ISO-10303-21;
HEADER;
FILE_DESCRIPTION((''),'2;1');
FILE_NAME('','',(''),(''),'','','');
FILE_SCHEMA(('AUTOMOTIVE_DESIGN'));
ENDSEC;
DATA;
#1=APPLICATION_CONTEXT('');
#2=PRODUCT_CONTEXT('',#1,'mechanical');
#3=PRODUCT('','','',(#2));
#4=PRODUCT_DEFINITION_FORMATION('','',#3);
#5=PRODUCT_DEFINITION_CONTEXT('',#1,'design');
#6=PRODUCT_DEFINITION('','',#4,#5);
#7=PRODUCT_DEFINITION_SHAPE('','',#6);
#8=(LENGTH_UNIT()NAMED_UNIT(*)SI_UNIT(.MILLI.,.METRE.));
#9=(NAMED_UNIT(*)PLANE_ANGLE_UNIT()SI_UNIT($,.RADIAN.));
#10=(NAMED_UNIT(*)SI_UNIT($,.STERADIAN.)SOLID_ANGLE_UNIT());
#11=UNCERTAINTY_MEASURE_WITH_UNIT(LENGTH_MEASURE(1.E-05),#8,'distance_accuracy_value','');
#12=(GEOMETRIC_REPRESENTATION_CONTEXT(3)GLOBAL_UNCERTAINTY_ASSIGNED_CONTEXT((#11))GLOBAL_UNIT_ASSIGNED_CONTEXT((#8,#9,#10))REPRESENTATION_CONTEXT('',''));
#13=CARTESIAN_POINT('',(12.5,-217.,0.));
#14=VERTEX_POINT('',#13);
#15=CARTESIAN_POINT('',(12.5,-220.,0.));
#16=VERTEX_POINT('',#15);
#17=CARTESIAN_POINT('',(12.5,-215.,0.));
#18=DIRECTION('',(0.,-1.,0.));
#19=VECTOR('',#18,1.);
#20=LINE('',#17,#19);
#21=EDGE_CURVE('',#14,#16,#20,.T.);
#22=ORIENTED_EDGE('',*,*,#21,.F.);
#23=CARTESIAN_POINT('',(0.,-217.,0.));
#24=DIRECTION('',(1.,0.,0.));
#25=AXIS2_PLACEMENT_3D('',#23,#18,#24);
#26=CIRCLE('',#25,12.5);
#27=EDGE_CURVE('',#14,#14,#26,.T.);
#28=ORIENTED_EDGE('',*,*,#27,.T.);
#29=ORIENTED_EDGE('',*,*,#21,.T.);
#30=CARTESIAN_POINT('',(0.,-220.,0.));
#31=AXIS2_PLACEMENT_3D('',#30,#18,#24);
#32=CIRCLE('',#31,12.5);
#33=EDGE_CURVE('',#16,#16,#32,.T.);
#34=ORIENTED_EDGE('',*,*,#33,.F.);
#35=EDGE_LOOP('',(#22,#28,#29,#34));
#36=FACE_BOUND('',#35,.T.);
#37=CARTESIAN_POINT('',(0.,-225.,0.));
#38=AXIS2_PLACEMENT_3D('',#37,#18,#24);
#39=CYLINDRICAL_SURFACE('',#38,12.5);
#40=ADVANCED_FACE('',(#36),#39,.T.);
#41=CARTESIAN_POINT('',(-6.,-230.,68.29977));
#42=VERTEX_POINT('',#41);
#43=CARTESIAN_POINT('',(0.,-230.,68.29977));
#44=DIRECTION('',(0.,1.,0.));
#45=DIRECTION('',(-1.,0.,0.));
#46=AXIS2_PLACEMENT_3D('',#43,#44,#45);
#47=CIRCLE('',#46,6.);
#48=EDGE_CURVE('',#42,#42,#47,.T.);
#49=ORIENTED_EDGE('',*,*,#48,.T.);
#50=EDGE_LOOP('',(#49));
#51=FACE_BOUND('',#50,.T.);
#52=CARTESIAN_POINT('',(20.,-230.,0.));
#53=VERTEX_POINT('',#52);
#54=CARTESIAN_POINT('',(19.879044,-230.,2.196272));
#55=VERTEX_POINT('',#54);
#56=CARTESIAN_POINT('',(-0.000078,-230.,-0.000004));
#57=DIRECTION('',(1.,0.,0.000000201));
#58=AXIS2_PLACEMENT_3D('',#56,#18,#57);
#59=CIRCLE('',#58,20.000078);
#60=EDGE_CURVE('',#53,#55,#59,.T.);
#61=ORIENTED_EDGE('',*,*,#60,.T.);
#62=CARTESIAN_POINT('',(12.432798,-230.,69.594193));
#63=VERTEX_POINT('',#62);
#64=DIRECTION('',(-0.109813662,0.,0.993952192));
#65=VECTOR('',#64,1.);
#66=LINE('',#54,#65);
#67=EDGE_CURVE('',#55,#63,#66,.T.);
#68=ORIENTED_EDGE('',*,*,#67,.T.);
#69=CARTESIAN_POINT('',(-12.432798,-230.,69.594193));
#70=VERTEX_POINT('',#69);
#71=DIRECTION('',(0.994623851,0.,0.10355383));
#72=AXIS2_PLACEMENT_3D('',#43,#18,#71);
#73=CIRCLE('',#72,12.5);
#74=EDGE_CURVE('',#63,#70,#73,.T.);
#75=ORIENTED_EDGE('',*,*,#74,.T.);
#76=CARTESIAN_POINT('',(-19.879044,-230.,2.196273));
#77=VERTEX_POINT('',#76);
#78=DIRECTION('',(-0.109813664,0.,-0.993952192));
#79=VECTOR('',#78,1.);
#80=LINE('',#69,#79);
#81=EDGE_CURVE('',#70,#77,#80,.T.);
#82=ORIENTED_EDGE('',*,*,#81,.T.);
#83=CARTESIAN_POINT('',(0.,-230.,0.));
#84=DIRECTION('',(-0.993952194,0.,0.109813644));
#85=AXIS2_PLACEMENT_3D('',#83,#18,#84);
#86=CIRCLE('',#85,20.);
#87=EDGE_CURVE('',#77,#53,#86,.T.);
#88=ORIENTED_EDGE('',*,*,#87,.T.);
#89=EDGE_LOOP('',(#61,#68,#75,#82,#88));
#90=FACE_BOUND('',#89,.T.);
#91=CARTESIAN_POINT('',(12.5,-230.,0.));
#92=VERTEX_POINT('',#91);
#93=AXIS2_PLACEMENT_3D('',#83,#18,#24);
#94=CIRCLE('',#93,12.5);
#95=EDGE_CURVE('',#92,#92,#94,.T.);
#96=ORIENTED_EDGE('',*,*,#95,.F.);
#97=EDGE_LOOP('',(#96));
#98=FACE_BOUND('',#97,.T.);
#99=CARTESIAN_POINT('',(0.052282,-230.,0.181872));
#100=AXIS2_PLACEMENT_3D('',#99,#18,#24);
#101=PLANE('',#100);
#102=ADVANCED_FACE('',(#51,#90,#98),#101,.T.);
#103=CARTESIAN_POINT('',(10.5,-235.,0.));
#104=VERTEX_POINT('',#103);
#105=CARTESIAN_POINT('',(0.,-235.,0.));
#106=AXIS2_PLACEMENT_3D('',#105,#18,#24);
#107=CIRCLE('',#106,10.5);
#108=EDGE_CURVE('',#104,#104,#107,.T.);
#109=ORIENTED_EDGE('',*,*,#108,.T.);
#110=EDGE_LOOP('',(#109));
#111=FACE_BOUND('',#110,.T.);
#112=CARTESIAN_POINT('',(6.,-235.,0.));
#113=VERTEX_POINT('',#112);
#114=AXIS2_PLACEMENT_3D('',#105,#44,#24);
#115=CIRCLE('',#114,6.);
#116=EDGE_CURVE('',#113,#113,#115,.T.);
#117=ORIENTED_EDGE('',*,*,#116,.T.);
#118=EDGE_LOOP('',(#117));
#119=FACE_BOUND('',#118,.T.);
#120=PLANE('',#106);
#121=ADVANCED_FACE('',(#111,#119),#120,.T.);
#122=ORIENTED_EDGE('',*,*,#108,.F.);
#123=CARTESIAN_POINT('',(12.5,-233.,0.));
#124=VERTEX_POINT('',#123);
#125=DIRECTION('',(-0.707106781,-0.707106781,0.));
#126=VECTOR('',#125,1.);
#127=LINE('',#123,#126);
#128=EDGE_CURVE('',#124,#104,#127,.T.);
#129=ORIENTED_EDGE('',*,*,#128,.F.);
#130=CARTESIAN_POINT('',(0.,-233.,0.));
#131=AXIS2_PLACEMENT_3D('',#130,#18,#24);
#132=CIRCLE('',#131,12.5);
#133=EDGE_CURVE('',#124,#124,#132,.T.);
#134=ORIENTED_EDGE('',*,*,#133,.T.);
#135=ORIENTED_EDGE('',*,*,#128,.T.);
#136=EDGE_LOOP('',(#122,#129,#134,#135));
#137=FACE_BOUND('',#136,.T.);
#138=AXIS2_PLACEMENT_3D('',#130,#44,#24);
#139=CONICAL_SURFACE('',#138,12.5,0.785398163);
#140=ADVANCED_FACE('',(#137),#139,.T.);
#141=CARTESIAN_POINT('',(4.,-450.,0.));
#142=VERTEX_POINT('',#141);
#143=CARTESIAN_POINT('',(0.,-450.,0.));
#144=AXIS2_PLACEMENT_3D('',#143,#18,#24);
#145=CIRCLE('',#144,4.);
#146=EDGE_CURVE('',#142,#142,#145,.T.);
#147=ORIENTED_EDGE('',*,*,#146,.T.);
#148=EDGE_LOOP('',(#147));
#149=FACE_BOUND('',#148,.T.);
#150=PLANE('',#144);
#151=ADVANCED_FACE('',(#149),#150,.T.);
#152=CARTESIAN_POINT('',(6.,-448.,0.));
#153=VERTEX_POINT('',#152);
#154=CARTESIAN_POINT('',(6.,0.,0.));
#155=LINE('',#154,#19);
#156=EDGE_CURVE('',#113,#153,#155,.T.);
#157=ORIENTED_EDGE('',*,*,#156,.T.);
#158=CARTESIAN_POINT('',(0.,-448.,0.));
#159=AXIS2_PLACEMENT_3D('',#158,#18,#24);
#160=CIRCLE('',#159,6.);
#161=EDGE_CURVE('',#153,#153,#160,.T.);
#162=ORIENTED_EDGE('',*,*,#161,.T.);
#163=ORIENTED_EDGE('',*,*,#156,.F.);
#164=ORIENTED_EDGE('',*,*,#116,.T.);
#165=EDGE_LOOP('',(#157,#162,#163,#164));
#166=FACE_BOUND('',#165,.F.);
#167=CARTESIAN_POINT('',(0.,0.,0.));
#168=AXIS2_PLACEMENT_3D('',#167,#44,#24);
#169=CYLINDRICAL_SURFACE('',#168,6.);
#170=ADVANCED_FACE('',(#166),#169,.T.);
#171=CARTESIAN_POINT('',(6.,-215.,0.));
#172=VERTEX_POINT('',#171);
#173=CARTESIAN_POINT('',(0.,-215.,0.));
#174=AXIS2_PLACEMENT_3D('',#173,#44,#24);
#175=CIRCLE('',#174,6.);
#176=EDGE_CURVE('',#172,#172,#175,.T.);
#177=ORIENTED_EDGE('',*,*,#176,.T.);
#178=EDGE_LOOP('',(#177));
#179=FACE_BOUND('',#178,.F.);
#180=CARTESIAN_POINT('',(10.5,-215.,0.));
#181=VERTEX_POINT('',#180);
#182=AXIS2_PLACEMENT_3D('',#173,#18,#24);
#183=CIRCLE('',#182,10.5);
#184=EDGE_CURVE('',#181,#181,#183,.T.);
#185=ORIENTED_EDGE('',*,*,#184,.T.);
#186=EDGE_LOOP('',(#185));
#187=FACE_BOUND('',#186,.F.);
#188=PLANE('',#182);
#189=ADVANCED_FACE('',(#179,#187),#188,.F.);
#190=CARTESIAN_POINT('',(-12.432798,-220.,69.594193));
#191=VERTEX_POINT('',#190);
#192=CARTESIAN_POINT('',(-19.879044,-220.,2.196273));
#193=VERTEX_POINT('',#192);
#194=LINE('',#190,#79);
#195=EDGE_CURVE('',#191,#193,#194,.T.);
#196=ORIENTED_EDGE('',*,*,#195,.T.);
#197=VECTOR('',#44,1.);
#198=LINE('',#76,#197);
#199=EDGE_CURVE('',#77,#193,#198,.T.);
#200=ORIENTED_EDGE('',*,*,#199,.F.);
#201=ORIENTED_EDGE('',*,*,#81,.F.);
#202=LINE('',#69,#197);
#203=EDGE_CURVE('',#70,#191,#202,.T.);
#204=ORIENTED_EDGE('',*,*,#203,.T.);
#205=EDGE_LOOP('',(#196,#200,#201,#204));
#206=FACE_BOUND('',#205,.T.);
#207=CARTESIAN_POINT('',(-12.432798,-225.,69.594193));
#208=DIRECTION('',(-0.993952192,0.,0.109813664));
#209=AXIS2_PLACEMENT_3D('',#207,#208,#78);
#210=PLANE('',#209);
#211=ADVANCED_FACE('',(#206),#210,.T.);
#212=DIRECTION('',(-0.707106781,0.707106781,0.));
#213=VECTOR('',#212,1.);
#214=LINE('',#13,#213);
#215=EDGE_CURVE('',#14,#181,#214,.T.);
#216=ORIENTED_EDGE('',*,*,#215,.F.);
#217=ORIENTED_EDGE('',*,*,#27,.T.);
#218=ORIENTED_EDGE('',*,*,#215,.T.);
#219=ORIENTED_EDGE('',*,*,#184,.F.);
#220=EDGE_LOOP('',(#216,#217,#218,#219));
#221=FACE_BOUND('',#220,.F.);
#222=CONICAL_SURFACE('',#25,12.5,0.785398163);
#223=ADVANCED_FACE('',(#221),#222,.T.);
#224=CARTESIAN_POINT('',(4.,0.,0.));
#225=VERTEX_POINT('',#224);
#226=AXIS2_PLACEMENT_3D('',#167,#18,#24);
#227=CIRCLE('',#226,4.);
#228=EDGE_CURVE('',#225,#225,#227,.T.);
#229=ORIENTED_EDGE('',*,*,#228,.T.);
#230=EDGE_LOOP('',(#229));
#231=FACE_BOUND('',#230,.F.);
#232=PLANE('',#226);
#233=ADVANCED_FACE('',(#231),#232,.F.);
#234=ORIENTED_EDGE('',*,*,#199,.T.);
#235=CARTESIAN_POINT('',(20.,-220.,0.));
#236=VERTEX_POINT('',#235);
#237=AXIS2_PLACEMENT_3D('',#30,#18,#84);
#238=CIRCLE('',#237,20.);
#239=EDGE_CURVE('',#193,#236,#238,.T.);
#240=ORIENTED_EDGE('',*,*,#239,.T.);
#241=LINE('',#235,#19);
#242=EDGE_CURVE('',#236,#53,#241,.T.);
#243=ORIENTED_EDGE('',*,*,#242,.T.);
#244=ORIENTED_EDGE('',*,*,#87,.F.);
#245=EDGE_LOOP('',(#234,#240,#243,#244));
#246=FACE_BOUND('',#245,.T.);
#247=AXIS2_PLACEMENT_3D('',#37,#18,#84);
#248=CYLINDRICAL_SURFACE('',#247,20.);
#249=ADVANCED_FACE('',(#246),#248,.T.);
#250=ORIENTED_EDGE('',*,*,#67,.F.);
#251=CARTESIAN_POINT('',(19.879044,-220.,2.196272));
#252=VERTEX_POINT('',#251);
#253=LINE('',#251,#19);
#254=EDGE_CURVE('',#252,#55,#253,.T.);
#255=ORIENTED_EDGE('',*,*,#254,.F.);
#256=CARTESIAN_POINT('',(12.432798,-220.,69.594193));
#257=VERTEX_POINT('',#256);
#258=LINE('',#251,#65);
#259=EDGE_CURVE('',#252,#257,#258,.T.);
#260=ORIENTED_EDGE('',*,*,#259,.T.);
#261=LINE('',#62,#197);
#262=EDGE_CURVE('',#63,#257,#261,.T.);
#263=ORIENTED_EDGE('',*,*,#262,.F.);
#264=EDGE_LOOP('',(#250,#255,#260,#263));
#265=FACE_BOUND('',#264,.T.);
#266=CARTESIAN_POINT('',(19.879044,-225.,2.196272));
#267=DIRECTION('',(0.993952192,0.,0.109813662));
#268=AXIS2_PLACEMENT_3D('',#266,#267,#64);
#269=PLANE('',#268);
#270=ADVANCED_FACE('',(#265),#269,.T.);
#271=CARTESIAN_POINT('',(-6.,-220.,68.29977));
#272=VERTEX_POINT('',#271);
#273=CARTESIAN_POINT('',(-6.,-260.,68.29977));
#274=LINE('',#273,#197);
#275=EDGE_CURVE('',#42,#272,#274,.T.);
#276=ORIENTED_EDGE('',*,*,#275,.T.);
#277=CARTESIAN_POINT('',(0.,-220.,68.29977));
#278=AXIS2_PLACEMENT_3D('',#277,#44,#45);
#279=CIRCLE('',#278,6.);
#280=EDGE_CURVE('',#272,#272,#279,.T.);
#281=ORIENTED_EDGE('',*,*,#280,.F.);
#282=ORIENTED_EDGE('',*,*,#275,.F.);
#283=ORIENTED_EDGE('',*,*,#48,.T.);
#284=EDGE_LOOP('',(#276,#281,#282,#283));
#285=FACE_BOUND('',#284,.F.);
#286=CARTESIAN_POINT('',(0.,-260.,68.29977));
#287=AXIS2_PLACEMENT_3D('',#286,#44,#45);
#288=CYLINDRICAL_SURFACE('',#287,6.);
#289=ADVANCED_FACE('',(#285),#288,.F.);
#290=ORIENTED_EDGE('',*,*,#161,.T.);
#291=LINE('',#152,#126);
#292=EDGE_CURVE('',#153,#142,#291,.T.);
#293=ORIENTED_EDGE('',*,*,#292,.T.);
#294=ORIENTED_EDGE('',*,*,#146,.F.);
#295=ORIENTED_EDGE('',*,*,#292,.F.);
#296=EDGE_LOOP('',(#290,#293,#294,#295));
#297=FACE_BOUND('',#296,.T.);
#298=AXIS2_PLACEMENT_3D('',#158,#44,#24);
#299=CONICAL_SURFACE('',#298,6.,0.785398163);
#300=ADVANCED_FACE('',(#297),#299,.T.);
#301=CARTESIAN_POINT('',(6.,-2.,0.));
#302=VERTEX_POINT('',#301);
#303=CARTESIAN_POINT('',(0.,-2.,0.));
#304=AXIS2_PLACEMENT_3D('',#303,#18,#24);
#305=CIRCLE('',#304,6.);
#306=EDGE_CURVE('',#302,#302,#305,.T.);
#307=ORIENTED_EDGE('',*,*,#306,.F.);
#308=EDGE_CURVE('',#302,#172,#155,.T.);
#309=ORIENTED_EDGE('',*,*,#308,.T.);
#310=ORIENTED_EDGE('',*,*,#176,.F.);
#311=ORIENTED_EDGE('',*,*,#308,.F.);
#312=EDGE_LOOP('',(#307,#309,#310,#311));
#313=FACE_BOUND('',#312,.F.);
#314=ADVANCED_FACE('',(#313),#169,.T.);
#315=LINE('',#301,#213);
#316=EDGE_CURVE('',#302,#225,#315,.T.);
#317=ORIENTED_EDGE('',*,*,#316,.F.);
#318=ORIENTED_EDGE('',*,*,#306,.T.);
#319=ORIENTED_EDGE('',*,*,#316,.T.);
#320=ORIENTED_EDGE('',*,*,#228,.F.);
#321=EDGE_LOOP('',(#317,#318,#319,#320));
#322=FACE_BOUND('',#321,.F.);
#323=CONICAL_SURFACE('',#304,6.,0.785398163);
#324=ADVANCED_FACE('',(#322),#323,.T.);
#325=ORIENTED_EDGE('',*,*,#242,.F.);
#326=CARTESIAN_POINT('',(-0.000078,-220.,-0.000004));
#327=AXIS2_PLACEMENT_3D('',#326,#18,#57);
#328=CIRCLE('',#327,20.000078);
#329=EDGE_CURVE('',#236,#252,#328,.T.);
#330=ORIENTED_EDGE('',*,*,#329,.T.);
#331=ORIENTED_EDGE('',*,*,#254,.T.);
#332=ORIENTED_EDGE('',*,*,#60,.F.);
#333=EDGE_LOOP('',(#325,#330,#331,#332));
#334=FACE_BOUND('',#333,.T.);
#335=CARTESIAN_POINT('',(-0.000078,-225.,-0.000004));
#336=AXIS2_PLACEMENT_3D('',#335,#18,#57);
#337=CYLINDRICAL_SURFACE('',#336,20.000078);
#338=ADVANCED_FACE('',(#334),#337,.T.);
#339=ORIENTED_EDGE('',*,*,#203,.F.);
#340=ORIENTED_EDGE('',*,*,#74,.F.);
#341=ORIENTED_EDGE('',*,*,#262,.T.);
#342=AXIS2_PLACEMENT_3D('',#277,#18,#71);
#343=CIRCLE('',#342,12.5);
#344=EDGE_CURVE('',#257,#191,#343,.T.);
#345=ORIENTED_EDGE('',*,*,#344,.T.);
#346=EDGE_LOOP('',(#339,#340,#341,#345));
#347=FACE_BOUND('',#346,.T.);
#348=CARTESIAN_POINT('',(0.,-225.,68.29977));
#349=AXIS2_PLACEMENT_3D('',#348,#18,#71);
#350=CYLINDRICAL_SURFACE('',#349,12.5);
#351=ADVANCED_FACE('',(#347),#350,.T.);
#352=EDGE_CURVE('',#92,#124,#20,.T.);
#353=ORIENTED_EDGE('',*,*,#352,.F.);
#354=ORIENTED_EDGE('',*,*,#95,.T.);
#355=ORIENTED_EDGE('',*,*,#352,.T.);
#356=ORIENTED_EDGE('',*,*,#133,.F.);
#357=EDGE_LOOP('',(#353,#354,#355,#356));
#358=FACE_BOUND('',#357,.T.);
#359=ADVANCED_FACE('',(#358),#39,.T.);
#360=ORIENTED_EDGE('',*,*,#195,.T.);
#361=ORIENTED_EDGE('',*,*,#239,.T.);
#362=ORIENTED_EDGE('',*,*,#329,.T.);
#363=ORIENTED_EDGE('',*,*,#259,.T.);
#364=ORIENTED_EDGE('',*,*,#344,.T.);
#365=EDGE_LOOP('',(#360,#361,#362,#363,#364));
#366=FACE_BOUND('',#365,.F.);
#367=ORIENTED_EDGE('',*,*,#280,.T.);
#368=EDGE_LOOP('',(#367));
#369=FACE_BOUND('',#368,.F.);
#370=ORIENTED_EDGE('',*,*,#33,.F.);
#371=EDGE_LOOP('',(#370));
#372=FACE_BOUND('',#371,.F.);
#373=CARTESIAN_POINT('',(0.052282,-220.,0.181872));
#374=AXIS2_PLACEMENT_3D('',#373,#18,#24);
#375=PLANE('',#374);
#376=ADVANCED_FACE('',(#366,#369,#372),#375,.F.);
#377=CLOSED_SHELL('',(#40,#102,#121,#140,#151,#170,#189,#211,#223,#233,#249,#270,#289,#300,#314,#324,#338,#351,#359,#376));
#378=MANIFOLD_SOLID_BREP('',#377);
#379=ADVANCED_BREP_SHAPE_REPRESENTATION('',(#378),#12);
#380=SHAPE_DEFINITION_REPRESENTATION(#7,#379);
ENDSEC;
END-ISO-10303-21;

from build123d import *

# Parameters (mm, degrees)
F0_R      = 6
F1_DEPTH  = 450
F2_SIZE   = 2
F4_R      = 12.5
F5_DEPTH  = 10
F6_SIZE   = 2
F8_DEPTH  = 5
F10_D     = 12
F10_DEPTH = 30


with BuildPart() as f1:
    # F0 (on Front) → F1 (new body)
    with BuildSketch(Plane.XZ):
        Circle(F0_R)
    extrude(amount=F1_DEPTH)

    # F2
    f2_edges = [f1.edges().sort_by_distance(p)[0] for p in [
        (-6, -450, 0),
        (-6, 0, 0),
    ]]
    chamfer(f2_edges, length=F2_SIZE)

    # F4 (on offset) → F5 (join, symmetric)
    with BuildSketch(Plane.XZ.offset(225)):
        Circle(F4_R)
    extrude(amount=F5_DEPTH, both=True)

    # F6
    f6_edges = [f1.edges().sort_by_distance(p)[0] for p in [
        (-12.5, -235, 0),
        (-12.5, -215, 0),
    ]]
    chamfer(f6_edges, length=F6_SIZE)

    # F7 (on offset) → F8 (join, symmetric)
    with BuildSketch(Plane.XZ.offset(225)):
        with BuildLine():
            ThreePointArc((19.879044, 2.196272), (1e-06, 20), (-19.879044, 2.196273))
            ThreePointArc((-19.879044, 2.196273), (-1.099801, -19.969738), (20, 0))
            ThreePointArc((20, 0), (19.969738, 1.0998), (19.879044, 2.196272))
        make_face()
        with BuildLine():
            Line((-12.432798, 69.594193), (-19.879044, 2.196273))
            ThreePointArc((-19.879044, 2.196273), (1e-06, 20), (19.879044, 2.196272))
            Line((19.879044, 2.196272), (12.432798, 69.594193))
            ThreePointArc((12.432798, 69.594193), (12.483188, 68.947853), (12.5, 68.29977))
            ThreePointArc((12.5, 68.29977), (-0.648083, 55.816582), (-12.432798, 69.594193))
        make_face()
        with BuildLine():
            ThreePointArc((12.432798, 69.594193), (0, 80.79977), (-12.432798, 69.594193))
            ThreePointArc((-12.432798, 69.594193), (-0.648083, 55.816582), (12.5, 68.29977))
            ThreePointArc((12.5, 68.29977), (12.483188, 68.947853), (12.432798, 69.594193))
        make_face()
    extrude(amount=F8_DEPTH, both=True)

    # F10
    with Locations(Plane.XZ.offset(230)):
        with Locations((0, 68.29977)):
            Hole(F10_D / 2, depth=F10_DEPTH)


solid = f1.part
